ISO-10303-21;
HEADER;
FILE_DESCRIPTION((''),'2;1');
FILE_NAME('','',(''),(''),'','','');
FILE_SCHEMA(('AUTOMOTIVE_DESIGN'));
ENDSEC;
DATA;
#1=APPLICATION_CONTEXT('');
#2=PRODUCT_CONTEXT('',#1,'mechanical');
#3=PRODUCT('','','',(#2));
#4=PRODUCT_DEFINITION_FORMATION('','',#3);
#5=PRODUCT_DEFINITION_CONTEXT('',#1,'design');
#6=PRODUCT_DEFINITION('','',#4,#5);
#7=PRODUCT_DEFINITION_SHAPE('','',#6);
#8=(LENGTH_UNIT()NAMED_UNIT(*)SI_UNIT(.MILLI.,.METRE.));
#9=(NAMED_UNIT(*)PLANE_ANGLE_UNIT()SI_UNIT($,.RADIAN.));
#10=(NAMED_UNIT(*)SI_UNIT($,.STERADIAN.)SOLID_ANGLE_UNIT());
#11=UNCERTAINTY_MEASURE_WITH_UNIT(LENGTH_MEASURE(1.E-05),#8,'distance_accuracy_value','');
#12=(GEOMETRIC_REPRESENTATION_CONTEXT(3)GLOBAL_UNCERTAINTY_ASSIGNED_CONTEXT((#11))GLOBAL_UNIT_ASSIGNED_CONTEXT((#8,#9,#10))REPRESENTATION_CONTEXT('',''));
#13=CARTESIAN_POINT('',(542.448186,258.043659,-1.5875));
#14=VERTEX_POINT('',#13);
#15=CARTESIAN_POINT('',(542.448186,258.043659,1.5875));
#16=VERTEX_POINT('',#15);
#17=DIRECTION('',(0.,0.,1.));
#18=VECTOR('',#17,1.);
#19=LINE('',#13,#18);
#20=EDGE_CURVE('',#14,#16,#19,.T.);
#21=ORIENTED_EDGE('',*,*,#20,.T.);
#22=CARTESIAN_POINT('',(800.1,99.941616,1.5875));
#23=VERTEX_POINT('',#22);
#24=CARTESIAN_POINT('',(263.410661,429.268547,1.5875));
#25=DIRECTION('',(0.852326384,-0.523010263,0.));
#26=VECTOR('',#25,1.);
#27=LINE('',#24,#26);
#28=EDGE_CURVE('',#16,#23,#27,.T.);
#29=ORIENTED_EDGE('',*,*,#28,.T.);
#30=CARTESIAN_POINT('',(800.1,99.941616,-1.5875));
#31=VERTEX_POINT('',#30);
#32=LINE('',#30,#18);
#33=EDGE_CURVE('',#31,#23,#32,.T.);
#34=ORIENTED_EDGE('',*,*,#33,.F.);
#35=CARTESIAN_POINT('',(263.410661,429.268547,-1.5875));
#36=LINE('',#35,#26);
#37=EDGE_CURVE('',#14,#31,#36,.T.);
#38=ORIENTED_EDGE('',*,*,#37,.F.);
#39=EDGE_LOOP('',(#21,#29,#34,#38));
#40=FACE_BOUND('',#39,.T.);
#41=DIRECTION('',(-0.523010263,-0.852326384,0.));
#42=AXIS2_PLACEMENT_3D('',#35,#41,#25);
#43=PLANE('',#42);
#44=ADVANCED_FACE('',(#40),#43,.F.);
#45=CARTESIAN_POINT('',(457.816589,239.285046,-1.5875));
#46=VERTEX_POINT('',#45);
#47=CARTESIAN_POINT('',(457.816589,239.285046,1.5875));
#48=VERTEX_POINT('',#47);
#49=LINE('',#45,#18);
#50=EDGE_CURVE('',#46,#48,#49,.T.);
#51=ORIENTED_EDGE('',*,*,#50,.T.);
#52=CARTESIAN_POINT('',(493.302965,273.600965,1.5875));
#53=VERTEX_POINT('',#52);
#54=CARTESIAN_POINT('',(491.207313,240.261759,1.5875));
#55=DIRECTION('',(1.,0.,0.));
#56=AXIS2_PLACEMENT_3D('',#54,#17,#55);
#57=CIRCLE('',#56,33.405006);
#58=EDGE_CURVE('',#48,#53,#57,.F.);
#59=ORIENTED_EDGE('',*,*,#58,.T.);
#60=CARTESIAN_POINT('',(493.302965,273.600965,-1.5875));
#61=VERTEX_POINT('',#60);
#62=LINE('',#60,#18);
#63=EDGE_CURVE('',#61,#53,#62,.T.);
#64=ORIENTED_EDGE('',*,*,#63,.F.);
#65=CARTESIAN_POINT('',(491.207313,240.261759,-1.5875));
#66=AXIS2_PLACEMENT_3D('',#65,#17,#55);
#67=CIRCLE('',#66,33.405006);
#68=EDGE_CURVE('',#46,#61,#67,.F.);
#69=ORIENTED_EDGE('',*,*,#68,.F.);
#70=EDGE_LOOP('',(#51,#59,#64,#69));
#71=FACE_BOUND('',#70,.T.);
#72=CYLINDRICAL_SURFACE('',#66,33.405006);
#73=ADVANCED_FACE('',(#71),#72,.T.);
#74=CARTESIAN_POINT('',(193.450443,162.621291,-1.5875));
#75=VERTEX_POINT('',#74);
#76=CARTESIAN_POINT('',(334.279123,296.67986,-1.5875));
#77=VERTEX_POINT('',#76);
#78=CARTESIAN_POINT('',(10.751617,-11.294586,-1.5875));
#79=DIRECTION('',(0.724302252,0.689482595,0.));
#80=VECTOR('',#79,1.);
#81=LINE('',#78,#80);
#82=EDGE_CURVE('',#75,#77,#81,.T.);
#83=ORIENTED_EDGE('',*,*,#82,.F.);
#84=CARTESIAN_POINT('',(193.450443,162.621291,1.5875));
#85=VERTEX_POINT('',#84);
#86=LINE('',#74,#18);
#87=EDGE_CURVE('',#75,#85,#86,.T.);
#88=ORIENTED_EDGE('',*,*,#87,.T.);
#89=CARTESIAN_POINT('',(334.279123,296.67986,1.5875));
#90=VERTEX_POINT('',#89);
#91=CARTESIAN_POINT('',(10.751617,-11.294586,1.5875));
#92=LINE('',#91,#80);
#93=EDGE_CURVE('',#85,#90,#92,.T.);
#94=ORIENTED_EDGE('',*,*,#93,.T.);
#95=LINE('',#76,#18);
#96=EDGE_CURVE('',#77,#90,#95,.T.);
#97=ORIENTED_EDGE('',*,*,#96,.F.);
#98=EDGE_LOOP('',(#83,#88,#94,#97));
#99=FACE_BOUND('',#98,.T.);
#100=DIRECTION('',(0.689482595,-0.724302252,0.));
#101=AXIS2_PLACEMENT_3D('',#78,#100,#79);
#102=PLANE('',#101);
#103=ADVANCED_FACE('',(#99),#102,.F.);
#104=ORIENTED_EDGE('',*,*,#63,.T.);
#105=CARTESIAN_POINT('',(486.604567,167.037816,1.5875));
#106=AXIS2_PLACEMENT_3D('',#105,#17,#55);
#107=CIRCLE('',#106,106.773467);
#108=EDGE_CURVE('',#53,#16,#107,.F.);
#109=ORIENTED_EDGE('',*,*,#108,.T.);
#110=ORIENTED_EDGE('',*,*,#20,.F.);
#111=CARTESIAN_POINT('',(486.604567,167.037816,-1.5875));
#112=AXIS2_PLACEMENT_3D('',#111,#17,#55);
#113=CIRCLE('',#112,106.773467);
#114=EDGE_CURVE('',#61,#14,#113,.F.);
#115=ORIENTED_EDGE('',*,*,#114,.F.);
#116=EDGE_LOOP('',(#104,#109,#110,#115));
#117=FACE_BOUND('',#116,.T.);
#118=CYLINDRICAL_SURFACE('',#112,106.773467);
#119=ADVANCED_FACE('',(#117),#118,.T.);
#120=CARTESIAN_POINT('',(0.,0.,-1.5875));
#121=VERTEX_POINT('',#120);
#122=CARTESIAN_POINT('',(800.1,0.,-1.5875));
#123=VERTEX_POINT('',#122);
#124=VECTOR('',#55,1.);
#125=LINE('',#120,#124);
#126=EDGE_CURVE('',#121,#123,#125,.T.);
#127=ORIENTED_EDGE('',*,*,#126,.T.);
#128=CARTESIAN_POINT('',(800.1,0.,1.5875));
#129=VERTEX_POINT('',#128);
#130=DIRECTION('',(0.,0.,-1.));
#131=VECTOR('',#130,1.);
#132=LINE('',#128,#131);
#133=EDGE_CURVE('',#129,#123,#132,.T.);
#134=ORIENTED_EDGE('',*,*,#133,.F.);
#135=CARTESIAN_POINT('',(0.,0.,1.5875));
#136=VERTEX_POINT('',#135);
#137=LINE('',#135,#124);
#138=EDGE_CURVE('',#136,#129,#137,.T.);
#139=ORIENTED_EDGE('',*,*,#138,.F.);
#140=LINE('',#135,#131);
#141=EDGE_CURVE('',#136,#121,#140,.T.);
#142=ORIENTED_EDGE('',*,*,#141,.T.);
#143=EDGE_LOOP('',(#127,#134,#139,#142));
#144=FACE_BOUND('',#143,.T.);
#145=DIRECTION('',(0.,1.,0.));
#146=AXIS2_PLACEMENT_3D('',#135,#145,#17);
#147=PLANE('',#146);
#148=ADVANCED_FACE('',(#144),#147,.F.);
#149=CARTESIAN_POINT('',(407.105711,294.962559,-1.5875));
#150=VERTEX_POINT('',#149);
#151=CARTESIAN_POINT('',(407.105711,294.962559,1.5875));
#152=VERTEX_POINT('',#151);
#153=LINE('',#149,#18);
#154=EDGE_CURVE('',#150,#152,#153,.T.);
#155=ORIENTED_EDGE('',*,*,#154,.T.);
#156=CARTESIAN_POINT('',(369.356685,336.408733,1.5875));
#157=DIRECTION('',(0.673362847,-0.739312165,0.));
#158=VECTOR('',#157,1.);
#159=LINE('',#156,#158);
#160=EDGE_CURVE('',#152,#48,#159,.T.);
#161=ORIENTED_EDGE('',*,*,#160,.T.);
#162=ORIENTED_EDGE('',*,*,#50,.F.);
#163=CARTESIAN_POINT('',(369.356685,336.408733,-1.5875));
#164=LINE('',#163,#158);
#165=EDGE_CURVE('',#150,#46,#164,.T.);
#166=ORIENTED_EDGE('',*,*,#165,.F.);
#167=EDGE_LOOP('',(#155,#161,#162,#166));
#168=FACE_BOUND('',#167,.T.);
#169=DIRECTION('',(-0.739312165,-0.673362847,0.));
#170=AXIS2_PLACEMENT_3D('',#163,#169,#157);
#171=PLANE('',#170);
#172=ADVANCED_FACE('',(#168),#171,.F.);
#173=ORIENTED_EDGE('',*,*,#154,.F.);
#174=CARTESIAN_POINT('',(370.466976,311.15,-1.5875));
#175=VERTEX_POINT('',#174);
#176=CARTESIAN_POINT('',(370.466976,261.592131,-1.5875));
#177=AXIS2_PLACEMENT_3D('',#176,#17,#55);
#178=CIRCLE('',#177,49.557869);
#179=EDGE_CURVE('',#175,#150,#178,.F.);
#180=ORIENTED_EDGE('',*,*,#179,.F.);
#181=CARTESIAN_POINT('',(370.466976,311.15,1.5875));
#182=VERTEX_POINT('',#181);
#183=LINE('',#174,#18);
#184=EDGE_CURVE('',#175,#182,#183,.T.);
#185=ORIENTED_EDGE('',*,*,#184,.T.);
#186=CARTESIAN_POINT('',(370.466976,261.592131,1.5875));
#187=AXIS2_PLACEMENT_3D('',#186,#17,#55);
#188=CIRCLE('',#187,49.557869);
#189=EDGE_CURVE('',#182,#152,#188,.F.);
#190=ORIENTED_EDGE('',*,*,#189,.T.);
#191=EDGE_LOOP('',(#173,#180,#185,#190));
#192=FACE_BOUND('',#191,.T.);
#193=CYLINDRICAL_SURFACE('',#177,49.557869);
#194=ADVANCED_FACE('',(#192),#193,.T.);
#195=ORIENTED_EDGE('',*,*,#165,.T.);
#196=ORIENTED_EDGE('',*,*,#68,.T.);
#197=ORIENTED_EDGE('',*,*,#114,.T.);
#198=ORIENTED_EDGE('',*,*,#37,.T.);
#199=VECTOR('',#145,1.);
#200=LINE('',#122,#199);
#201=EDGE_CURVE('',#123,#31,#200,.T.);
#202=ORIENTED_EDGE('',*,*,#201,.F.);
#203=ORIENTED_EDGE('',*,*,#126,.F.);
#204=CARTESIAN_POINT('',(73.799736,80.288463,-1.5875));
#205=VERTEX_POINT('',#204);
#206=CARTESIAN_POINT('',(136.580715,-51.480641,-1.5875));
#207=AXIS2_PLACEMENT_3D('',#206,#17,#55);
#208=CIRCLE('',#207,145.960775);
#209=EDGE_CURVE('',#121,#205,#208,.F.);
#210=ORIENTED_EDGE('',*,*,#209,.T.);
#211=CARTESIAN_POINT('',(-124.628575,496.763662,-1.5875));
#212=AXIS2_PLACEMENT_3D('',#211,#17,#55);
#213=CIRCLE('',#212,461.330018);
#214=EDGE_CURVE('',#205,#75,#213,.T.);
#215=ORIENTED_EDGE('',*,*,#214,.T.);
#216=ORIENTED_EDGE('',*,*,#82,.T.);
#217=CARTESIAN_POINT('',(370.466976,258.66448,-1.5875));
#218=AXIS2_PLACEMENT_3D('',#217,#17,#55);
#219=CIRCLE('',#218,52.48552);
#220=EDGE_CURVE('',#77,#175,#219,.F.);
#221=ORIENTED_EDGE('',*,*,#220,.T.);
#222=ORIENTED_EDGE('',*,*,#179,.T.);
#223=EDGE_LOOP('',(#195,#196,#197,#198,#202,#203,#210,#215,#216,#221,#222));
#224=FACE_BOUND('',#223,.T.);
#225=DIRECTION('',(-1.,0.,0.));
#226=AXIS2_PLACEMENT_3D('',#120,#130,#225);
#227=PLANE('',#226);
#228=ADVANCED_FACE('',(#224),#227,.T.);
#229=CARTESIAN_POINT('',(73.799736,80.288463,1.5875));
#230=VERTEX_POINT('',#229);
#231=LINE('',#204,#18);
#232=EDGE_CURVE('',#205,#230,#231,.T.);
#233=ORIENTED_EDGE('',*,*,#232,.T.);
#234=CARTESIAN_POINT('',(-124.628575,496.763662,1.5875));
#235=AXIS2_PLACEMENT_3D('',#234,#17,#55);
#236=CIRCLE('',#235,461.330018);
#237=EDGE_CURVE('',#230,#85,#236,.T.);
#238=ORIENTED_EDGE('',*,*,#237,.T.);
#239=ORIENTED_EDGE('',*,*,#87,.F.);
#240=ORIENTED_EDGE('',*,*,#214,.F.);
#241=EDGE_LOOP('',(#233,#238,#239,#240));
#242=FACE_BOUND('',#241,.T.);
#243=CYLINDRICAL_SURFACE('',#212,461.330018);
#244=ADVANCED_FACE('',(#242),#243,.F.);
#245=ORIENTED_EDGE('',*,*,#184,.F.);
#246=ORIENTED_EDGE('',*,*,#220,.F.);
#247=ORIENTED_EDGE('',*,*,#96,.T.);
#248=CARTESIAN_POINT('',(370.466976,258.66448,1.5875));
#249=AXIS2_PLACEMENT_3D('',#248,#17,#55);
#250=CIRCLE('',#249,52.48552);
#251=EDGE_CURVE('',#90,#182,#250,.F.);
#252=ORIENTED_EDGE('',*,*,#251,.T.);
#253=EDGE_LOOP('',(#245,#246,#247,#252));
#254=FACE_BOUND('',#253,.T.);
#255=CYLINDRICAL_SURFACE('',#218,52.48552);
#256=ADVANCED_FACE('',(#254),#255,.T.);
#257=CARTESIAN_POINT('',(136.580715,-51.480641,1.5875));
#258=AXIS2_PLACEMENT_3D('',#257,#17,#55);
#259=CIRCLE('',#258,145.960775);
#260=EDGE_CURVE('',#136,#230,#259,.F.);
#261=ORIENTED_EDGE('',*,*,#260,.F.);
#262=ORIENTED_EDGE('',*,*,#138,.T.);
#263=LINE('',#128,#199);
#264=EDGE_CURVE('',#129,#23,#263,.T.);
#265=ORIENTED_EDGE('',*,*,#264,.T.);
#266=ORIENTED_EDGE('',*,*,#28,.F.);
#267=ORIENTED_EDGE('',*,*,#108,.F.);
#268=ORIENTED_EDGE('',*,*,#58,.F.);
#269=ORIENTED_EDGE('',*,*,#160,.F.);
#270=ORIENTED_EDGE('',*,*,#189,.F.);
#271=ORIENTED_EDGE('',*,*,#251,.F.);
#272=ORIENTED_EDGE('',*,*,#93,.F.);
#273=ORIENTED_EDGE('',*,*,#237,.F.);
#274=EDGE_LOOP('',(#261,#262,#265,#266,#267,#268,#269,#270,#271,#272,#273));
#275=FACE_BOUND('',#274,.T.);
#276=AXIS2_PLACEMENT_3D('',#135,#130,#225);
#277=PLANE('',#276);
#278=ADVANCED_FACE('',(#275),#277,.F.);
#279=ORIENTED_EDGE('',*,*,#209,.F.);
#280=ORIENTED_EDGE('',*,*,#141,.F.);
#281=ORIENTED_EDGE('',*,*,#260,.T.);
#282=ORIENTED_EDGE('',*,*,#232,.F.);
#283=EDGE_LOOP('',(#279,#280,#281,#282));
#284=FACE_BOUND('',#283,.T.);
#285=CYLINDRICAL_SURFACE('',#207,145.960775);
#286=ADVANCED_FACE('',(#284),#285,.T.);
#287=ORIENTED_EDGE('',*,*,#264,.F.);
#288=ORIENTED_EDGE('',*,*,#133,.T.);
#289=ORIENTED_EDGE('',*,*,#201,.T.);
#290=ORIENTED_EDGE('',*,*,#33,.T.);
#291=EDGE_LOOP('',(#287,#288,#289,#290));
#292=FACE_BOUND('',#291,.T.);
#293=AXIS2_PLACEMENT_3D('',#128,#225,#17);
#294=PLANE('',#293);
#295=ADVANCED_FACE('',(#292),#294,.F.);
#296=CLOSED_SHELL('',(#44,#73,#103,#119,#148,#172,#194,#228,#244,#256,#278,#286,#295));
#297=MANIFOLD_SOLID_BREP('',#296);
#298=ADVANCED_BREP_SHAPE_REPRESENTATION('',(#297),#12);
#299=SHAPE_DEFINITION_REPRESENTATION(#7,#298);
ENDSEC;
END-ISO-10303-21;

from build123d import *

# Parameters (mm, degrees)
SKETCH1_W           = 800.1
SKETCH1_H           = 311.15
BOSS_EXTRUDE1_DEPTH = 1.5875
CUT_EXTRUDE1_DEPTH  = 859.477963098


with BuildPart() as part:
    # Sketch1 → Boss-Extrude1 (new, symmetric)
    with BuildSketch(Plane.XY):
        with Locations((400.05, 155.575)):
            Rectangle(SKETCH1_W, SKETCH1_H)
    extrude(amount=BOSS_EXTRUDE1_DEPTH, both=True)

    # Sketch2 → Cut-Extrude1 (cut, through all)
    with BuildSketch(Plane.XY.offset(1.5875)):
        with BuildLine():
            ThreePointArc((73.799735787, 80.288462856), (136.885533296, 116.716615986), (193.450443102, 162.621290763))
            Line((193.450443102, 162.621290763), (334.279123198, 296.679860281))
            ThreePointArc((334.279123198, 296.679860281), (350.98014935, 307.39838407), (370.46697579, 311.15))
            Line((370.46697579, 311.15), (0, 311.15))
            Line((0, 311.15), (0, 0))
            ThreePointArc((0, 0), (29.11988212, 47.295456823), (73.799735787, 80.288462856))
        make_face()
        with BuildLine():
            Line((800.1, 311.15), (370.46697579, 311.15))
            ThreePointArc((370.46697579, 311.15), (390.494645186, 306.92285828), (407.105710958, 294.962558849))
            Line((407.105710958, 294.962558849), (457.816588668, 239.285045675))
            ThreePointArc((457.816588668, 239.285045675), (467.985750385, 264.275368722), (493.30296488, 273.60096502))
            ThreePointArc((493.30296488, 273.60096502), (518.828524121, 268.832657986), (542.448186048, 258.0436591))
            Line((542.448186048, 258.0436591), (800.1, 99.941615608))
            Line((800.1, 99.941615608), (800.1, 311.15))
        make_face()
    extrude(amount=-CUT_EXTRUDE1_DEPTH, mode=Mode.SUBTRACT)


solid = part.part
